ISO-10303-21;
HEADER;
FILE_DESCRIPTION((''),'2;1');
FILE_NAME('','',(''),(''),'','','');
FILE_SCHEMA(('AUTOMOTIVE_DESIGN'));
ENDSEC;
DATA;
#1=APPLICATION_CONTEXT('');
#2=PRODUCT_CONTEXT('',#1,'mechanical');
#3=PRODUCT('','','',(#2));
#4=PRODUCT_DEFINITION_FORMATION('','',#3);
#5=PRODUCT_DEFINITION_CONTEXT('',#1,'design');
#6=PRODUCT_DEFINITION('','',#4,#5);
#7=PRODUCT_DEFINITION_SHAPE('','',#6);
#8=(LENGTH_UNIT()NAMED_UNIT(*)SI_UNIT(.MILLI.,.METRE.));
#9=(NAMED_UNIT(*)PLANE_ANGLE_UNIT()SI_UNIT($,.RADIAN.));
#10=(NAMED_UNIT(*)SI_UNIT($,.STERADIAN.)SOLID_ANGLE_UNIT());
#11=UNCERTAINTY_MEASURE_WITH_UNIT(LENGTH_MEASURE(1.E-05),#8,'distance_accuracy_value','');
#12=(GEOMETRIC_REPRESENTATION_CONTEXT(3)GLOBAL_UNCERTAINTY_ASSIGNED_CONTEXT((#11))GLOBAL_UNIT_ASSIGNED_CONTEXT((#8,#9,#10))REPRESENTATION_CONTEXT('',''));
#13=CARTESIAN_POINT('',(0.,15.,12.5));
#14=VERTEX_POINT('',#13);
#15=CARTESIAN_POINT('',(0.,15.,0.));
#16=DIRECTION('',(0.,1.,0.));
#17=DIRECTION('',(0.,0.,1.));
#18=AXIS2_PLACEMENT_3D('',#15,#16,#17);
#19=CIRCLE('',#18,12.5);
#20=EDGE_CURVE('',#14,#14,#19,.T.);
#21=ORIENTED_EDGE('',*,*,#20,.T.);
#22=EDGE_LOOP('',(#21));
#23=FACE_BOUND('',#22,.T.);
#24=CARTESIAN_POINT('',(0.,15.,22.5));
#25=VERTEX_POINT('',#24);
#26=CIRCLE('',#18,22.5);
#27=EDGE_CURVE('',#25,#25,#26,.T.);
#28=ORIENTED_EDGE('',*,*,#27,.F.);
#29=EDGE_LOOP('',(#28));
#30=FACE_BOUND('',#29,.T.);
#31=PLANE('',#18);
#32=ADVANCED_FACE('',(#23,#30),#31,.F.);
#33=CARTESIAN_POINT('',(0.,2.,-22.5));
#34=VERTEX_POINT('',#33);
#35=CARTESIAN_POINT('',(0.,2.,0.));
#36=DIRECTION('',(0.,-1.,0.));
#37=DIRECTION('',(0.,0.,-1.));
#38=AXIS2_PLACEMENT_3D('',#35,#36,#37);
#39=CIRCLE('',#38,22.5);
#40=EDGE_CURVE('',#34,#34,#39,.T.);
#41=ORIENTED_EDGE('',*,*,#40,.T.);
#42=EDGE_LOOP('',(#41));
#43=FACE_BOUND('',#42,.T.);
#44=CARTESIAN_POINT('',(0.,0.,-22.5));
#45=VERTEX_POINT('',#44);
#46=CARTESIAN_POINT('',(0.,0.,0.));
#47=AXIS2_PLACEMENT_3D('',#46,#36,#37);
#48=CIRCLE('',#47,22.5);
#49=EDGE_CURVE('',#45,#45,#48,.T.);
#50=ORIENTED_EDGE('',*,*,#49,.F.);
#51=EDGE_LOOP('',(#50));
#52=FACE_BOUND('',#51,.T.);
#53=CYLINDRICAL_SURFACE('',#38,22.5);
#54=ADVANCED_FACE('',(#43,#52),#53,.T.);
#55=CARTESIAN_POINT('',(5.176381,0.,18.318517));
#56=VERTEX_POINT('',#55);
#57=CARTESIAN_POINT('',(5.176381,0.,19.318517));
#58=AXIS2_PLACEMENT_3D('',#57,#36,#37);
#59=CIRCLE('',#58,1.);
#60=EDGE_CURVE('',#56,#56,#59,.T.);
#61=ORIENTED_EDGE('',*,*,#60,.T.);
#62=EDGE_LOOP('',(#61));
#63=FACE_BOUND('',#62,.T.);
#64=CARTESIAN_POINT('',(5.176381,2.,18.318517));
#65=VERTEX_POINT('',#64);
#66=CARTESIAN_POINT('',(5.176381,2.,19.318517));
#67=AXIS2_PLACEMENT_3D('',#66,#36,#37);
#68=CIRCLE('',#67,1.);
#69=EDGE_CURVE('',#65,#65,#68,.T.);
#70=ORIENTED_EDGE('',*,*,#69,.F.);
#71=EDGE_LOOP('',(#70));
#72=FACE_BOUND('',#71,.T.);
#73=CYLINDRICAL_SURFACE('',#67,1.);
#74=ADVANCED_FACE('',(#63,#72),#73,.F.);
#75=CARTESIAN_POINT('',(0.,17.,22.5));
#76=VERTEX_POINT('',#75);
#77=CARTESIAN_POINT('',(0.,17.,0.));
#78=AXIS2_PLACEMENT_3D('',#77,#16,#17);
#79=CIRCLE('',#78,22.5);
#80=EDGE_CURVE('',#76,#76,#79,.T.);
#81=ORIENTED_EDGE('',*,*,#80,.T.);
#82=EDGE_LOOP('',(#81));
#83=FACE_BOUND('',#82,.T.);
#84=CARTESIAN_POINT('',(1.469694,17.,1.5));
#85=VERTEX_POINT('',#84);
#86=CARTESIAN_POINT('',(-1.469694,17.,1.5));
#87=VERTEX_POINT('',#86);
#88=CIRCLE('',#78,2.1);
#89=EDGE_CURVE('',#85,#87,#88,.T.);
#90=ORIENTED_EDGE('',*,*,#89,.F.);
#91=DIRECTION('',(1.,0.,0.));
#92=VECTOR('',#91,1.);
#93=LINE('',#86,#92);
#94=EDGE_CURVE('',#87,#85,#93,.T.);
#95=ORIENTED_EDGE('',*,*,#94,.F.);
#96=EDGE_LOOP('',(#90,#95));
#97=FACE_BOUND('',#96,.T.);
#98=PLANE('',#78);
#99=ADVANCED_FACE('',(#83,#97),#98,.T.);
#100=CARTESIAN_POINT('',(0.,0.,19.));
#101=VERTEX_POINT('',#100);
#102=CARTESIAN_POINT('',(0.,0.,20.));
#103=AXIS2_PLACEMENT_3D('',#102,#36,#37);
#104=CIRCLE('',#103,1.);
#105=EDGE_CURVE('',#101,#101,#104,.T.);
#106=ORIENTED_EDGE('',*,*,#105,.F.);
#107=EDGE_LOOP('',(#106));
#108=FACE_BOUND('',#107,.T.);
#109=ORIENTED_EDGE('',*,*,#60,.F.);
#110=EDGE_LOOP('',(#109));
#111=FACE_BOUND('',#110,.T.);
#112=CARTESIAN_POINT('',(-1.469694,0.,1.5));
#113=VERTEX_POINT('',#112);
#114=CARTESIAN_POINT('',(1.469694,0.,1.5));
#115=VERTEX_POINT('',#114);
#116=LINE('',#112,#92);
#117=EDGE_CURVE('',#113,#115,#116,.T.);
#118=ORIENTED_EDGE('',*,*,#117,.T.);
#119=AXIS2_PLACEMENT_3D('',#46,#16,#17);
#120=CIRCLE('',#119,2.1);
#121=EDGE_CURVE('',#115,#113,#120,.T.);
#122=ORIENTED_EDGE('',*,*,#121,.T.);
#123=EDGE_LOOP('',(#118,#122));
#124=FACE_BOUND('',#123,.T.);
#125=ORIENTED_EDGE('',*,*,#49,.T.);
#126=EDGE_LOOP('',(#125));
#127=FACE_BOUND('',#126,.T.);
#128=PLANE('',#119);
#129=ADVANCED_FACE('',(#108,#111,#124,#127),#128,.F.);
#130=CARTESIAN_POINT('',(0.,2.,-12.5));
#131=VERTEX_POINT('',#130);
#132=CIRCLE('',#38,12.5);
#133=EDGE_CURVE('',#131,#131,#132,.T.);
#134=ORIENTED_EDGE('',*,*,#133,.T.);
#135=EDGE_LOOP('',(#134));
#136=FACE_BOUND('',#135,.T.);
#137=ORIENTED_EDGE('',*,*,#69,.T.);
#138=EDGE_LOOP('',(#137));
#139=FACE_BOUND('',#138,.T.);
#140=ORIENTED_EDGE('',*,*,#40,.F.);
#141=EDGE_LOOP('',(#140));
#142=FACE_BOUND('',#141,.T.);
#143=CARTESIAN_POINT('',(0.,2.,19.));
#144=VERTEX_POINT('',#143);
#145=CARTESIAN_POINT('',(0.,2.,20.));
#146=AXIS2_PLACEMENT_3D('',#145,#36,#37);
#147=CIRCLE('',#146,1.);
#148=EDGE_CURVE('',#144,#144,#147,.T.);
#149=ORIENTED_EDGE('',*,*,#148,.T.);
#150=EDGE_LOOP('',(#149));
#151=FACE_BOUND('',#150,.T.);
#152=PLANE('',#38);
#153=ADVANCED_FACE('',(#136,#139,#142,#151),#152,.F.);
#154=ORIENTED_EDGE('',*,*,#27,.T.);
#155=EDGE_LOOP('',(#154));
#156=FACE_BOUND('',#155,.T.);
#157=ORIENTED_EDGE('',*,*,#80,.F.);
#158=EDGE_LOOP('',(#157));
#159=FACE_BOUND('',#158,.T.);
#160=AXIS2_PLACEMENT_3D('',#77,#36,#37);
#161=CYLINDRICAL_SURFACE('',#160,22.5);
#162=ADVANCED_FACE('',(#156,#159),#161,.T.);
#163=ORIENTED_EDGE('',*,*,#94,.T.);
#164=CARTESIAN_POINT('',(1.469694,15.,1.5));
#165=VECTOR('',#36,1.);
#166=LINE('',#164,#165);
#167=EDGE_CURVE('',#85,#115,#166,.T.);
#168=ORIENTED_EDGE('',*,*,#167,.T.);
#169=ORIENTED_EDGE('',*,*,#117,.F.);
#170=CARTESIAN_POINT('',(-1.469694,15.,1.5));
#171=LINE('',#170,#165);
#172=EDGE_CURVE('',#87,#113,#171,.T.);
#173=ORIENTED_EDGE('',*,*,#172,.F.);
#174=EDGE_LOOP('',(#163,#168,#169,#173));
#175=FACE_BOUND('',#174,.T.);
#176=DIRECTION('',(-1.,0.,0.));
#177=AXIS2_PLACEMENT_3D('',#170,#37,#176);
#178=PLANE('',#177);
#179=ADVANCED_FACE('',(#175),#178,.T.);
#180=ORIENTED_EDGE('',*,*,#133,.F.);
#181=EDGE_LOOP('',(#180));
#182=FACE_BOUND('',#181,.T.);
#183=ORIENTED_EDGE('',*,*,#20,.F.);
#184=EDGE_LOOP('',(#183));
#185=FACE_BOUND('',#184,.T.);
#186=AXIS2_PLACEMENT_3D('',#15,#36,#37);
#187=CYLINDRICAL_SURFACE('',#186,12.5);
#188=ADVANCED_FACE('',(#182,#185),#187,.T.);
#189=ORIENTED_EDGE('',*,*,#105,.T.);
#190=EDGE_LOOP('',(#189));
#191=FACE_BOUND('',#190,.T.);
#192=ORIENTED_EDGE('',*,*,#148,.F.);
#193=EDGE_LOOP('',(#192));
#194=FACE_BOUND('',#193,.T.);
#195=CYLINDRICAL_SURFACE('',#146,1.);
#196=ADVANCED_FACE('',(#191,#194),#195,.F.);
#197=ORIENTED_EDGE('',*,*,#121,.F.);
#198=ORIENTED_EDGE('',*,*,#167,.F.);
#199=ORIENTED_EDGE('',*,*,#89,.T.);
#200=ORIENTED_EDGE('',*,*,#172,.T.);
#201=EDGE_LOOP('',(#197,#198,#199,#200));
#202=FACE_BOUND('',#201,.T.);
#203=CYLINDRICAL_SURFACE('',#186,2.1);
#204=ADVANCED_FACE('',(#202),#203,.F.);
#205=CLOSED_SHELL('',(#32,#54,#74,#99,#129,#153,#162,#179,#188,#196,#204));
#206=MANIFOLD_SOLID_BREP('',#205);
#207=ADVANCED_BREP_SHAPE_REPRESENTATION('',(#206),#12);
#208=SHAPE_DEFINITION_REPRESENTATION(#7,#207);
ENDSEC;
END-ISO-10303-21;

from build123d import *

# Parameters (mm, degrees)
SKETCH_1_R      = 12.5
EXTRUDE_1_DEPTH = 15
SKETCH_2_R      = 22.5
SKETCH_2_R_2    = 1
EXTRUDE_2_DEPTH = 2
SKETCH_3_R      = 22.5
EXTRUDE_3_DEPTH = 2


with BuildPart() as part:
    # 草图1 → 凸台-拉伸1 (new body)
    with BuildSketch(Plane(origin=(0, 0, 0), x_dir=(1, 0, 0), z_dir=(0, 1, 0))):
        with Locations(Location((0, 0, 0), (0, 0, 270))):
            Circle(SKETCH_1_R)
        with BuildLine():
            Line((-1.469693846, -1.5), (1.469693846, -1.5))
            ThreePointArc((1.469693846, -1.5), (0, 2.1), (-1.469693846, -1.5))
        make_face(mode=Mode.SUBTRACT)
    extrude(amount=EXTRUDE_1_DEPTH)

    # 草图2 → 凸台-拉伸2 (add)
    with BuildSketch(Plane.XZ):
        with Locations(Location((0, 0, 0), (0, 0, 270))):
            Circle(SKETCH_2_R)
        with Locations(Location((0, 20, 0), (0, 0, 270))):
            Circle(SKETCH_2_R_2, mode=Mode.SUBTRACT)
        with Locations(Location((5.176380902, 19.318516526, 0), (0, 0, 270))):
            Circle(SKETCH_2_R_2, mode=Mode.SUBTRACT)
        with BuildLine():
            Line((-1.469693846, 1.5), (1.469693846, 1.5))
            ThreePointArc((1.469693846, 1.5), (0, -2.1), (-1.469693846, 1.5))
        make_face(mode=Mode.SUBTRACT)
    extrude(amount=-EXTRUDE_2_DEPTH)

    # 草图3 → 凸台-拉伸3 (add)
    with BuildSketch(Plane(origin=(0, 15, 0), x_dir=(1, 0, 0), z_dir=(0, 1, 0))):
        with Locations(Location((0, 0, 0), (0, 0, 90))):
            Circle(SKETCH_3_R)
        with BuildLine():
            Line((-1.469693846, -1.5), (1.469693846, -1.5))
            ThreePointArc((1.469693846, -1.5), (0, 2.1), (-1.469693846, -1.5))
        make_face(mode=Mode.SUBTRACT)
    extrude(amount=EXTRUDE_3_DEPTH)


solid = part.part
